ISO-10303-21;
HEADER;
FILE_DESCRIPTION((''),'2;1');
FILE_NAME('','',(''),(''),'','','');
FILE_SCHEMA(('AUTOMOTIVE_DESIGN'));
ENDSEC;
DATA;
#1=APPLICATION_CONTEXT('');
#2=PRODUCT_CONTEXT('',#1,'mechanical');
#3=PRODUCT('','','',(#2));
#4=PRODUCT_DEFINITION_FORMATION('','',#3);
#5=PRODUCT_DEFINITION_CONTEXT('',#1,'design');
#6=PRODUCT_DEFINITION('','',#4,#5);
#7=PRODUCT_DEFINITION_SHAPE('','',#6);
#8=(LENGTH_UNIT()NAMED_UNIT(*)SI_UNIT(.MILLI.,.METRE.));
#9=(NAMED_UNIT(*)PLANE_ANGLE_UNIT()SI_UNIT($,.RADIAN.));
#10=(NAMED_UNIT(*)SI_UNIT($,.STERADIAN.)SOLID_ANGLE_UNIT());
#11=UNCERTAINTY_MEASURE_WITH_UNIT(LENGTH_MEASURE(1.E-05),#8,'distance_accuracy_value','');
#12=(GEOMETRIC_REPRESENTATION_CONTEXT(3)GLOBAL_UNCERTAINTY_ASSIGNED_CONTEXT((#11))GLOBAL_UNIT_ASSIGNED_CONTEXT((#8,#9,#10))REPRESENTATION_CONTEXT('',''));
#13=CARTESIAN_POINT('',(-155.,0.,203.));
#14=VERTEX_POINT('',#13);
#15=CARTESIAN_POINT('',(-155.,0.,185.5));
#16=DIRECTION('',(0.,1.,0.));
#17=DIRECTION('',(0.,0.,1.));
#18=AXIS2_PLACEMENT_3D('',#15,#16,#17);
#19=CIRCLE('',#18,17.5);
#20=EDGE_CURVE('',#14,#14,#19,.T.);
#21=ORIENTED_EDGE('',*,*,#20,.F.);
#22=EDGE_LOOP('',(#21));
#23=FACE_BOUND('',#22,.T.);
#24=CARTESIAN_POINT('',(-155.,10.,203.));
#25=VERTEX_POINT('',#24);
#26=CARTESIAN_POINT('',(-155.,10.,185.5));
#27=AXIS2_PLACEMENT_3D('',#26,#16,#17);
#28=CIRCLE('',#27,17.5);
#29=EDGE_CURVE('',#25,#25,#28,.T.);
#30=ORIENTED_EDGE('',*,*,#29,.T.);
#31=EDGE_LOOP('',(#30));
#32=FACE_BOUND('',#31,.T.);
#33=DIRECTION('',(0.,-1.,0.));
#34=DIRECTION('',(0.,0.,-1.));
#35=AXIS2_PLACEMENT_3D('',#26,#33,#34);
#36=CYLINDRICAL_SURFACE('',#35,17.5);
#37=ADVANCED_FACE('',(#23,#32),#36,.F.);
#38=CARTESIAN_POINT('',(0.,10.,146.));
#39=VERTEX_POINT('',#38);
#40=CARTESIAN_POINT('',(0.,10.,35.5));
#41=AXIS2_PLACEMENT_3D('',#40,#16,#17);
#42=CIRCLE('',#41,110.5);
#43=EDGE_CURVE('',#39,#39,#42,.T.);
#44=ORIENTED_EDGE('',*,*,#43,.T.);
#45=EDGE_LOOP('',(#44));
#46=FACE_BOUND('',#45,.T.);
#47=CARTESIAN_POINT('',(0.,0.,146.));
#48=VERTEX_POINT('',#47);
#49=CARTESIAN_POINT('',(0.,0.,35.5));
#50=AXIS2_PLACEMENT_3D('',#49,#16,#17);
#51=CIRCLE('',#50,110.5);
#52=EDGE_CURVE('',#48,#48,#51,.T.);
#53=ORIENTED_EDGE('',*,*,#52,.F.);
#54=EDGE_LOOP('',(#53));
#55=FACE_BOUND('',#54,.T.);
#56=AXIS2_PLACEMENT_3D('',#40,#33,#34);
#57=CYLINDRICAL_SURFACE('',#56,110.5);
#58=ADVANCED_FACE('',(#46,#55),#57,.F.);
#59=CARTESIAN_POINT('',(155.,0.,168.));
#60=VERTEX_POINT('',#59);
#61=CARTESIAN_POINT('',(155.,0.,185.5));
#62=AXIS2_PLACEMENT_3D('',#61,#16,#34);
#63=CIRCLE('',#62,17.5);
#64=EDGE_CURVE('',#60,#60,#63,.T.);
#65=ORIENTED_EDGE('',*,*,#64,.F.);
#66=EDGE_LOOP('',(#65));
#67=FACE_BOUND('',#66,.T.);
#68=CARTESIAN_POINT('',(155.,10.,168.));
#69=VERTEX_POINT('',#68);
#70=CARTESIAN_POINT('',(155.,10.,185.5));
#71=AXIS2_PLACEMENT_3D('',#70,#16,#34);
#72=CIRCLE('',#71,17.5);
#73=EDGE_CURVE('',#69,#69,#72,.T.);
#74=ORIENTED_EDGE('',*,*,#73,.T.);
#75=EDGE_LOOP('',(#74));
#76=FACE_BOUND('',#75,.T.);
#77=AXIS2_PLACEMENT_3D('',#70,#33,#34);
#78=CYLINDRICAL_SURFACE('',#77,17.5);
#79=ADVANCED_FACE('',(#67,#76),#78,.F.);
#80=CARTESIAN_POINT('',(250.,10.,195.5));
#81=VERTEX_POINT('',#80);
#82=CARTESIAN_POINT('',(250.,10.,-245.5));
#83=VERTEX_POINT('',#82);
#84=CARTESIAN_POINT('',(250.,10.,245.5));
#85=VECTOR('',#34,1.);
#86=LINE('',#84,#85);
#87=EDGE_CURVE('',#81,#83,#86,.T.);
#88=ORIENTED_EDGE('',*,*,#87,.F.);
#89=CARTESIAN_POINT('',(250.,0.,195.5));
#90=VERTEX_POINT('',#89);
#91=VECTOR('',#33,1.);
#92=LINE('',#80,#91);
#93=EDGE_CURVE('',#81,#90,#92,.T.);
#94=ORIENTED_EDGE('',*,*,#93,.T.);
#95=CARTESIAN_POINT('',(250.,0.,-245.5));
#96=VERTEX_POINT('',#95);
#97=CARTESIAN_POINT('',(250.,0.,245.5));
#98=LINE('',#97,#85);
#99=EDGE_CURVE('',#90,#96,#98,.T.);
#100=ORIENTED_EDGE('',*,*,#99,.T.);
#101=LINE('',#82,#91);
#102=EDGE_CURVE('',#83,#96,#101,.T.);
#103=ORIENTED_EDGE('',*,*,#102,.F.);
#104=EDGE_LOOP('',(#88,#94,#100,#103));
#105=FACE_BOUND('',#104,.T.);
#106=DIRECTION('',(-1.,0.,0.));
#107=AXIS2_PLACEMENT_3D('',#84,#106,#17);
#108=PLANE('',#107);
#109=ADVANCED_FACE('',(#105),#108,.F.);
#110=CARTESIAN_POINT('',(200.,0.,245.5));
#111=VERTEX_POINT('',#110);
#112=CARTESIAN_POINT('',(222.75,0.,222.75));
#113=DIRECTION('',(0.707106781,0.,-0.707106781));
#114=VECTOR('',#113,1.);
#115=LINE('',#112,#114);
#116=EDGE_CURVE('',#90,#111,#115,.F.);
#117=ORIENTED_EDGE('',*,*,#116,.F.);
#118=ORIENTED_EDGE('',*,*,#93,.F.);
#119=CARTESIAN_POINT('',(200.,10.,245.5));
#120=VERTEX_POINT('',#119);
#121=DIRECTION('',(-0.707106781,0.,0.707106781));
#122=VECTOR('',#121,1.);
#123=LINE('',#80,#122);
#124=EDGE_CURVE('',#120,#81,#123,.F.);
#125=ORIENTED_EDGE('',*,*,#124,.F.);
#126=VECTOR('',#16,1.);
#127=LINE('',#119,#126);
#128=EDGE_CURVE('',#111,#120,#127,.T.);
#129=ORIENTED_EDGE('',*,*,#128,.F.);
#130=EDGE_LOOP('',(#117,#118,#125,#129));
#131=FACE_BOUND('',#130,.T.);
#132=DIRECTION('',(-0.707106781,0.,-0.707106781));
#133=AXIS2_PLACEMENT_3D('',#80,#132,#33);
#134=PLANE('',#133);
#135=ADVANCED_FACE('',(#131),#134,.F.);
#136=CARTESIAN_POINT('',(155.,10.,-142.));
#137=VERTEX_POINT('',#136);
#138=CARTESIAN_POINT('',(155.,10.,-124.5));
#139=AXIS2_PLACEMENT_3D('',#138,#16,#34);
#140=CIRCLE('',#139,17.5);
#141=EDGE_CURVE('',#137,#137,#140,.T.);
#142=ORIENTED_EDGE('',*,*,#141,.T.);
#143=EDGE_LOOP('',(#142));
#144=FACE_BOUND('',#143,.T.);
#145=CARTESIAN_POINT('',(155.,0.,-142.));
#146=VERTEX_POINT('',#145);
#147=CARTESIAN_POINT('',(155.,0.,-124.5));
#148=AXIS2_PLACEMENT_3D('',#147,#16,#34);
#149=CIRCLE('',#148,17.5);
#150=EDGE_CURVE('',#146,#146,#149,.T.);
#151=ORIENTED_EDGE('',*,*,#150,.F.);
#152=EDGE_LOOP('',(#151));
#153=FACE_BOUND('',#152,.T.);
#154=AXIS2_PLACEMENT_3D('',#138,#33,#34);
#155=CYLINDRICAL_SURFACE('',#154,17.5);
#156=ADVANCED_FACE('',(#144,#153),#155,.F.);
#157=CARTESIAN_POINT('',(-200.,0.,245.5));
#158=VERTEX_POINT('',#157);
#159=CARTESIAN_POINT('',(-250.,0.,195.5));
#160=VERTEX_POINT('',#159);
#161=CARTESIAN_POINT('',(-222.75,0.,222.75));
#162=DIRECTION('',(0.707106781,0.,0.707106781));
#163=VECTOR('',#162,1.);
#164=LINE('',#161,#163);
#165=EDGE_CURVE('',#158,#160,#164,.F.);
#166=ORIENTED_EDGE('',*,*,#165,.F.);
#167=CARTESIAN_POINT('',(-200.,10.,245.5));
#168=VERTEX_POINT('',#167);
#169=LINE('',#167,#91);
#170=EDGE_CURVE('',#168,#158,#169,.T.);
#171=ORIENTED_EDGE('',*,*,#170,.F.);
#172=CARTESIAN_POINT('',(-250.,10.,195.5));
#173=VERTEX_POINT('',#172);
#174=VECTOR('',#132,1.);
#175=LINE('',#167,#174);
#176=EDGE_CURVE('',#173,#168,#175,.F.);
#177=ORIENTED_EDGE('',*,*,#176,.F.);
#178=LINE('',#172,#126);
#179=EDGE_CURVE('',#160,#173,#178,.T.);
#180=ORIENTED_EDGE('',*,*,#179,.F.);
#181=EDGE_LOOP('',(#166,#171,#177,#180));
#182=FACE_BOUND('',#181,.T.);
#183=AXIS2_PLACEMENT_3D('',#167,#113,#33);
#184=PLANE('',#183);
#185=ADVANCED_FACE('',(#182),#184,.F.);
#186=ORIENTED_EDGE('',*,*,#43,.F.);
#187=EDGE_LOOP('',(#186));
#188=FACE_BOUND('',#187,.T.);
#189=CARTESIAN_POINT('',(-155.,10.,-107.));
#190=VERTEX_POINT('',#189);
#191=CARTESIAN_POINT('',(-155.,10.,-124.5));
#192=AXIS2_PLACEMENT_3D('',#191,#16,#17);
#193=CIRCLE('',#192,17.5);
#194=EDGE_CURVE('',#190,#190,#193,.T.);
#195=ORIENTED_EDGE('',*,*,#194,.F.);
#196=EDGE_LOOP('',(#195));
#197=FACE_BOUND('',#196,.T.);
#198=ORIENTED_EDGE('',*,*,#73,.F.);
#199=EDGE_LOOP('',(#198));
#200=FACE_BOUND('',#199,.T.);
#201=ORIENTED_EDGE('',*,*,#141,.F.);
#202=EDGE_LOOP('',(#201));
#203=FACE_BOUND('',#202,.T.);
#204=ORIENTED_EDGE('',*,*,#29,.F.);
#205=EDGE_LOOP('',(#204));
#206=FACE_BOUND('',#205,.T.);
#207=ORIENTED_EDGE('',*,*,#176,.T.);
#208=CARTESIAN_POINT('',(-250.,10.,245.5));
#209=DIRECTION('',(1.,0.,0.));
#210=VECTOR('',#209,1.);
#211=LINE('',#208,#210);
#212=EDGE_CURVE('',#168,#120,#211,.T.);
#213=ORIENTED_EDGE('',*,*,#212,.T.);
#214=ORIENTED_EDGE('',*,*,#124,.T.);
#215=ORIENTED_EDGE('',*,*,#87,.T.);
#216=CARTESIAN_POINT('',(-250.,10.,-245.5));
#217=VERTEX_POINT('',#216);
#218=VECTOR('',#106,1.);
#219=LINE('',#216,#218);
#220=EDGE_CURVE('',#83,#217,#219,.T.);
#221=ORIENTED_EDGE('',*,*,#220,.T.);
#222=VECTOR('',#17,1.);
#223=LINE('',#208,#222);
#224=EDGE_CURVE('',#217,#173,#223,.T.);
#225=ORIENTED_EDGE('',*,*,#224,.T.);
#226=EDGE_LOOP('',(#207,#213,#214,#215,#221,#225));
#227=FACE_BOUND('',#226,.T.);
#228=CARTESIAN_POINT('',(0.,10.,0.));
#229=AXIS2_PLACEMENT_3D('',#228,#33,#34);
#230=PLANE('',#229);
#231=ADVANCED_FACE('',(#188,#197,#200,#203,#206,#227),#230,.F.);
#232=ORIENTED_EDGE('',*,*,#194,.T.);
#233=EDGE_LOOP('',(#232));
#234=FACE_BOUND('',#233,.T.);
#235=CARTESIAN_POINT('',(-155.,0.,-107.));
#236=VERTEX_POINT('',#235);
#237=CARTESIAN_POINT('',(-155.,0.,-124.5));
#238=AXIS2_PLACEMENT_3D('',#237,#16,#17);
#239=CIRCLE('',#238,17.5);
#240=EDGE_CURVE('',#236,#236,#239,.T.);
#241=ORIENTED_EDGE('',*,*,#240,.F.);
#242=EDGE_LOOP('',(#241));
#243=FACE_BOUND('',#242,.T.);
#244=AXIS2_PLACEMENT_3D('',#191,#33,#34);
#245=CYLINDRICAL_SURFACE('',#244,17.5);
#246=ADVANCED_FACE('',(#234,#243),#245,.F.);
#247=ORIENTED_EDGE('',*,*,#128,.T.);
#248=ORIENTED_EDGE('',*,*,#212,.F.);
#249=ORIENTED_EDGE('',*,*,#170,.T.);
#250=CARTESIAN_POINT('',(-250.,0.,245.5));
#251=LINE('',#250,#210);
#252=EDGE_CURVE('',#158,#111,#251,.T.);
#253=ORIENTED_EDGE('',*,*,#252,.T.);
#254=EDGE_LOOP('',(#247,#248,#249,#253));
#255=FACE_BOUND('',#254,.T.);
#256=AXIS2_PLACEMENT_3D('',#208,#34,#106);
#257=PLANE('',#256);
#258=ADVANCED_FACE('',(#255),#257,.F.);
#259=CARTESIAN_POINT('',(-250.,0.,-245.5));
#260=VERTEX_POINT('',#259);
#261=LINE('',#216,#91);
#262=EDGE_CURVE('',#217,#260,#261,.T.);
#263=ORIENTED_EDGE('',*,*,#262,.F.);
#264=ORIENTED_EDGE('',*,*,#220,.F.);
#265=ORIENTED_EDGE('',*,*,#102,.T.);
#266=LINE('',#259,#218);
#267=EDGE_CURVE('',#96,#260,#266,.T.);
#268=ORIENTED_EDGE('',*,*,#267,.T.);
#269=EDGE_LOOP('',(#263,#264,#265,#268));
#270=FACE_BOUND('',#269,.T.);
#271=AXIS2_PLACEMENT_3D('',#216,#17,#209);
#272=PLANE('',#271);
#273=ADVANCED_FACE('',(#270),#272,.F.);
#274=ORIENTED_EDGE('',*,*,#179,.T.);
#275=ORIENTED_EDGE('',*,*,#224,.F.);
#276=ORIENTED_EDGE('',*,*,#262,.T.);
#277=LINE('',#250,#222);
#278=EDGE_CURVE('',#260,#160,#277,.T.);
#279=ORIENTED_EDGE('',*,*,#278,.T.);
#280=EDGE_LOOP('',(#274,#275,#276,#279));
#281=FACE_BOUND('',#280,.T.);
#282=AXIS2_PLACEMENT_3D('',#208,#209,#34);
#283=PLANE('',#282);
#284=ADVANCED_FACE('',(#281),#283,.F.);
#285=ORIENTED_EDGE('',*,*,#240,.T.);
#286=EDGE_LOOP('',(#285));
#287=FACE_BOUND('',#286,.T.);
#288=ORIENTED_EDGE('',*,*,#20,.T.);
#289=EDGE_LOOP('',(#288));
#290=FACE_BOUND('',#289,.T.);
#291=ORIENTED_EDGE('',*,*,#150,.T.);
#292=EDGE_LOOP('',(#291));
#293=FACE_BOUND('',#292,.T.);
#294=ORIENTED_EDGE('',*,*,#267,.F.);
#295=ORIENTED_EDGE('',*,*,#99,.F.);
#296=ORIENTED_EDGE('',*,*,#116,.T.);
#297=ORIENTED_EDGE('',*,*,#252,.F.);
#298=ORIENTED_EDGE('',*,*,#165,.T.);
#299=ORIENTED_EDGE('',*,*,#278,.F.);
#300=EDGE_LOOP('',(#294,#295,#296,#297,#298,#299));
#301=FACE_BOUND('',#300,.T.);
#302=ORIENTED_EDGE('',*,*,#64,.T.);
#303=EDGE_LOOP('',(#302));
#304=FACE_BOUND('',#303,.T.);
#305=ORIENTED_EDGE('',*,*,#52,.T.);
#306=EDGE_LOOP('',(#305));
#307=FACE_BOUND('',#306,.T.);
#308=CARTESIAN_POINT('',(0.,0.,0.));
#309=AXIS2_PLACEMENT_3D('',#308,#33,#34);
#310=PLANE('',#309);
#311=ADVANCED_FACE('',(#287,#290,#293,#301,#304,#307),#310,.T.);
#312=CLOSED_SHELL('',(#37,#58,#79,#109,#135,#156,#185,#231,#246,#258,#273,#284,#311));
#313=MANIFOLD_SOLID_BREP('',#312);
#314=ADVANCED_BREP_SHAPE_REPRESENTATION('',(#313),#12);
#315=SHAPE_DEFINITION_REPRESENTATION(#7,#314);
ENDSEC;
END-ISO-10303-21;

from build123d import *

# Parameters (mm, degrees)
SKETCH1_W           = 500
SKETCH1_H           = 491
SKETCH1_R           = 110.5
SKETCH1_R_2         = 17.5
BOSS_EXTRUDE1_DEPTH = 10
CHAMFER1_SIZE       = 50


with BuildPart() as part:
    # Sketch1 → Boss-Extrude1 (new body)
    with BuildSketch(Plane(origin=(0, 0, 0), x_dir=(1, 0, 0), z_dir=(0, 1, 0))):
        Rectangle(SKETCH1_W, SKETCH1_H)
        with Locations((0, -35.5)):
            Circle(SKETCH1_R, mode=Mode.SUBTRACT)
        with Locations((-155, 124.5)):
            Circle(SKETCH1_R_2, mode=Mode.SUBTRACT)
        with Locations((155, 124.5)):
            Circle(SKETCH1_R_2, mode=Mode.SUBTRACT)
        with Locations((-155, -185.5)):
            Circle(SKETCH1_R_2, mode=Mode.SUBTRACT)
        with Locations((155, -185.5)):
            Circle(SKETCH1_R_2, mode=Mode.SUBTRACT)
    extrude(amount=BOSS_EXTRUDE1_DEPTH)

    # Chamfer1
    chamfer1_edges = [part.edges().sort_by_distance(p)[0] for p in [
        (250, 5, 245.5),
        (-250, 5, 245.5),
    ]]
    chamfer(chamfer1_edges, length=CHAMFER1_SIZE)


solid = part.part
